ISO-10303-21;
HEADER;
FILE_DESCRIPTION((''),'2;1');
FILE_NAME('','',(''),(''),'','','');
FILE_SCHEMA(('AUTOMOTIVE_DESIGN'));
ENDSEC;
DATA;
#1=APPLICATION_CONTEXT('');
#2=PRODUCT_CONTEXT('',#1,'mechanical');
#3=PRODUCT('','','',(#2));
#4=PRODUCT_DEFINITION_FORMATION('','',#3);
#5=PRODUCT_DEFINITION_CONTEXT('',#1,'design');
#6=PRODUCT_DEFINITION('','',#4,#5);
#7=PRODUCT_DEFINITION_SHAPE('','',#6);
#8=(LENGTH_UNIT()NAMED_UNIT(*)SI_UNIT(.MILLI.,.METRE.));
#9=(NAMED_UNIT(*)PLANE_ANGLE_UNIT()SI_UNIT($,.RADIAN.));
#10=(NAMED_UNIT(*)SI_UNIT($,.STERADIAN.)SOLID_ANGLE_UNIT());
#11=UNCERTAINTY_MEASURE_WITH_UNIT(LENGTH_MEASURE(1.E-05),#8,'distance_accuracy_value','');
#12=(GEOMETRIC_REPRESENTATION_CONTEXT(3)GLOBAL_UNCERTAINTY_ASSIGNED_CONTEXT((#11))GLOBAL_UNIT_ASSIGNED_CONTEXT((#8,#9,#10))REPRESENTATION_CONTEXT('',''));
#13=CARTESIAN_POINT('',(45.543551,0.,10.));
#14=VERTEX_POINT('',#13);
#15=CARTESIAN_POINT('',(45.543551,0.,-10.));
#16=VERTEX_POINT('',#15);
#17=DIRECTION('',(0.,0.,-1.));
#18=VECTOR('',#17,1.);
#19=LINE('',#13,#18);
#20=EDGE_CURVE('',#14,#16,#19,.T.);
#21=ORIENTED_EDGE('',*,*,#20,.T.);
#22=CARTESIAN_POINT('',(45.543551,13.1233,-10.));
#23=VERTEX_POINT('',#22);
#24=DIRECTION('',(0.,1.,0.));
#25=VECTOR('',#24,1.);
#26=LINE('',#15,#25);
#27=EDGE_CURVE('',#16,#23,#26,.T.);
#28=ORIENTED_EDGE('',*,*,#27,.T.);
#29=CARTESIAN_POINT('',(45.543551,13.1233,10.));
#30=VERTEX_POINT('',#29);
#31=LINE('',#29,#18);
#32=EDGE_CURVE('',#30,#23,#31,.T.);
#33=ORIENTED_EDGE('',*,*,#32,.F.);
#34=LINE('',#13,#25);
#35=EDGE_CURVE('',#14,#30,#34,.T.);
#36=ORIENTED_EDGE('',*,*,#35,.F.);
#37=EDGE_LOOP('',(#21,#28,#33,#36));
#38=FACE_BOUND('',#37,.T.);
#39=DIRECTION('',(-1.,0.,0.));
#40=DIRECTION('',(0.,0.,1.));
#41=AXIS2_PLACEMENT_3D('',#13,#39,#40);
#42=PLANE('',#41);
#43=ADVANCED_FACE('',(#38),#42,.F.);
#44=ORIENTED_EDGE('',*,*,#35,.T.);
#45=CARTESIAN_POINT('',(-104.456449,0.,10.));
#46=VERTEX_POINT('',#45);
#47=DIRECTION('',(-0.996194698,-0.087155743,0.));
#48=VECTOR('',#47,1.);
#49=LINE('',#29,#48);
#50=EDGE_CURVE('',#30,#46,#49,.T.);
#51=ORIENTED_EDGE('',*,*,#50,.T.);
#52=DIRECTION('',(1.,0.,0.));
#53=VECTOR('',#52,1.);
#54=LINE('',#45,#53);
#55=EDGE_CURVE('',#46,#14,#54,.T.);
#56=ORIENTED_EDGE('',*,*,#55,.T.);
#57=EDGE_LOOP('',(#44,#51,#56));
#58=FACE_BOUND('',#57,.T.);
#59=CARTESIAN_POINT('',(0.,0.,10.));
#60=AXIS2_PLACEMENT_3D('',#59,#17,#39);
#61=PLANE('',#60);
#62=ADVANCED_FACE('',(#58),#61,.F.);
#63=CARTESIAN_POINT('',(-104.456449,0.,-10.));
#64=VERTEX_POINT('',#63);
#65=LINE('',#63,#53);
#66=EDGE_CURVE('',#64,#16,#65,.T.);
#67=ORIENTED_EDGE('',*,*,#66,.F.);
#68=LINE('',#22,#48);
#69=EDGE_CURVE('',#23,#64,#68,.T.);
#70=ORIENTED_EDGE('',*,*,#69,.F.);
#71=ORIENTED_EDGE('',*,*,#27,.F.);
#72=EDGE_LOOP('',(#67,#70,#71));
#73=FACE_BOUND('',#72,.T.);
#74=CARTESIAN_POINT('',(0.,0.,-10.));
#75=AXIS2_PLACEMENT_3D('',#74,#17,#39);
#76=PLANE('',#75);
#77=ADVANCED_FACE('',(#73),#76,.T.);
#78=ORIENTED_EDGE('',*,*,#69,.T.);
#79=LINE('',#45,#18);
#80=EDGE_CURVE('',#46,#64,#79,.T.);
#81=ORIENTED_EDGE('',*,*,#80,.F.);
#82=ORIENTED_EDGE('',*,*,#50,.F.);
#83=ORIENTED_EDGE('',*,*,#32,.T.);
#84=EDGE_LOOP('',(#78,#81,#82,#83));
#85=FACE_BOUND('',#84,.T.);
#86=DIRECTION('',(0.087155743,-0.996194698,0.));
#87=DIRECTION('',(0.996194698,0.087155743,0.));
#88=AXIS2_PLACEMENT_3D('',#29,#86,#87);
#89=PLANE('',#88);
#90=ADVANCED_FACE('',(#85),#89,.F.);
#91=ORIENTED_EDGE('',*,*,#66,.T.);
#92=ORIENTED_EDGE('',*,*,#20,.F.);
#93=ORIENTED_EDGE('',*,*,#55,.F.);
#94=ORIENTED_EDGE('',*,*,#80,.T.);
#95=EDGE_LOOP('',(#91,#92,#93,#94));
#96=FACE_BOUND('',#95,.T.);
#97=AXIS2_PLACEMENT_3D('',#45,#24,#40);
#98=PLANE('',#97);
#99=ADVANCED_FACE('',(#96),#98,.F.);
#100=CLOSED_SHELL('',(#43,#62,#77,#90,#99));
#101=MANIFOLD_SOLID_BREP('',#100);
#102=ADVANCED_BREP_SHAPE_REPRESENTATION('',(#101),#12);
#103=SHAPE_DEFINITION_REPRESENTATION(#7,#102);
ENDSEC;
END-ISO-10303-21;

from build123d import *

# Parameters (mm, degrees)
BOSS_EXTRUDE1_DEPTH = 10


with BuildPart() as part:
    # Sketch1 → Boss-Extrude1 (new, symmetric)
    with BuildSketch(Plane.XY):
        Polygon((-104.456448669, 0), (45.543551331, 0), (45.543551331, 13.123299529), align=None)
    extrude(amount=BOSS_EXTRUDE1_DEPTH, both=True)


solid = part.part
